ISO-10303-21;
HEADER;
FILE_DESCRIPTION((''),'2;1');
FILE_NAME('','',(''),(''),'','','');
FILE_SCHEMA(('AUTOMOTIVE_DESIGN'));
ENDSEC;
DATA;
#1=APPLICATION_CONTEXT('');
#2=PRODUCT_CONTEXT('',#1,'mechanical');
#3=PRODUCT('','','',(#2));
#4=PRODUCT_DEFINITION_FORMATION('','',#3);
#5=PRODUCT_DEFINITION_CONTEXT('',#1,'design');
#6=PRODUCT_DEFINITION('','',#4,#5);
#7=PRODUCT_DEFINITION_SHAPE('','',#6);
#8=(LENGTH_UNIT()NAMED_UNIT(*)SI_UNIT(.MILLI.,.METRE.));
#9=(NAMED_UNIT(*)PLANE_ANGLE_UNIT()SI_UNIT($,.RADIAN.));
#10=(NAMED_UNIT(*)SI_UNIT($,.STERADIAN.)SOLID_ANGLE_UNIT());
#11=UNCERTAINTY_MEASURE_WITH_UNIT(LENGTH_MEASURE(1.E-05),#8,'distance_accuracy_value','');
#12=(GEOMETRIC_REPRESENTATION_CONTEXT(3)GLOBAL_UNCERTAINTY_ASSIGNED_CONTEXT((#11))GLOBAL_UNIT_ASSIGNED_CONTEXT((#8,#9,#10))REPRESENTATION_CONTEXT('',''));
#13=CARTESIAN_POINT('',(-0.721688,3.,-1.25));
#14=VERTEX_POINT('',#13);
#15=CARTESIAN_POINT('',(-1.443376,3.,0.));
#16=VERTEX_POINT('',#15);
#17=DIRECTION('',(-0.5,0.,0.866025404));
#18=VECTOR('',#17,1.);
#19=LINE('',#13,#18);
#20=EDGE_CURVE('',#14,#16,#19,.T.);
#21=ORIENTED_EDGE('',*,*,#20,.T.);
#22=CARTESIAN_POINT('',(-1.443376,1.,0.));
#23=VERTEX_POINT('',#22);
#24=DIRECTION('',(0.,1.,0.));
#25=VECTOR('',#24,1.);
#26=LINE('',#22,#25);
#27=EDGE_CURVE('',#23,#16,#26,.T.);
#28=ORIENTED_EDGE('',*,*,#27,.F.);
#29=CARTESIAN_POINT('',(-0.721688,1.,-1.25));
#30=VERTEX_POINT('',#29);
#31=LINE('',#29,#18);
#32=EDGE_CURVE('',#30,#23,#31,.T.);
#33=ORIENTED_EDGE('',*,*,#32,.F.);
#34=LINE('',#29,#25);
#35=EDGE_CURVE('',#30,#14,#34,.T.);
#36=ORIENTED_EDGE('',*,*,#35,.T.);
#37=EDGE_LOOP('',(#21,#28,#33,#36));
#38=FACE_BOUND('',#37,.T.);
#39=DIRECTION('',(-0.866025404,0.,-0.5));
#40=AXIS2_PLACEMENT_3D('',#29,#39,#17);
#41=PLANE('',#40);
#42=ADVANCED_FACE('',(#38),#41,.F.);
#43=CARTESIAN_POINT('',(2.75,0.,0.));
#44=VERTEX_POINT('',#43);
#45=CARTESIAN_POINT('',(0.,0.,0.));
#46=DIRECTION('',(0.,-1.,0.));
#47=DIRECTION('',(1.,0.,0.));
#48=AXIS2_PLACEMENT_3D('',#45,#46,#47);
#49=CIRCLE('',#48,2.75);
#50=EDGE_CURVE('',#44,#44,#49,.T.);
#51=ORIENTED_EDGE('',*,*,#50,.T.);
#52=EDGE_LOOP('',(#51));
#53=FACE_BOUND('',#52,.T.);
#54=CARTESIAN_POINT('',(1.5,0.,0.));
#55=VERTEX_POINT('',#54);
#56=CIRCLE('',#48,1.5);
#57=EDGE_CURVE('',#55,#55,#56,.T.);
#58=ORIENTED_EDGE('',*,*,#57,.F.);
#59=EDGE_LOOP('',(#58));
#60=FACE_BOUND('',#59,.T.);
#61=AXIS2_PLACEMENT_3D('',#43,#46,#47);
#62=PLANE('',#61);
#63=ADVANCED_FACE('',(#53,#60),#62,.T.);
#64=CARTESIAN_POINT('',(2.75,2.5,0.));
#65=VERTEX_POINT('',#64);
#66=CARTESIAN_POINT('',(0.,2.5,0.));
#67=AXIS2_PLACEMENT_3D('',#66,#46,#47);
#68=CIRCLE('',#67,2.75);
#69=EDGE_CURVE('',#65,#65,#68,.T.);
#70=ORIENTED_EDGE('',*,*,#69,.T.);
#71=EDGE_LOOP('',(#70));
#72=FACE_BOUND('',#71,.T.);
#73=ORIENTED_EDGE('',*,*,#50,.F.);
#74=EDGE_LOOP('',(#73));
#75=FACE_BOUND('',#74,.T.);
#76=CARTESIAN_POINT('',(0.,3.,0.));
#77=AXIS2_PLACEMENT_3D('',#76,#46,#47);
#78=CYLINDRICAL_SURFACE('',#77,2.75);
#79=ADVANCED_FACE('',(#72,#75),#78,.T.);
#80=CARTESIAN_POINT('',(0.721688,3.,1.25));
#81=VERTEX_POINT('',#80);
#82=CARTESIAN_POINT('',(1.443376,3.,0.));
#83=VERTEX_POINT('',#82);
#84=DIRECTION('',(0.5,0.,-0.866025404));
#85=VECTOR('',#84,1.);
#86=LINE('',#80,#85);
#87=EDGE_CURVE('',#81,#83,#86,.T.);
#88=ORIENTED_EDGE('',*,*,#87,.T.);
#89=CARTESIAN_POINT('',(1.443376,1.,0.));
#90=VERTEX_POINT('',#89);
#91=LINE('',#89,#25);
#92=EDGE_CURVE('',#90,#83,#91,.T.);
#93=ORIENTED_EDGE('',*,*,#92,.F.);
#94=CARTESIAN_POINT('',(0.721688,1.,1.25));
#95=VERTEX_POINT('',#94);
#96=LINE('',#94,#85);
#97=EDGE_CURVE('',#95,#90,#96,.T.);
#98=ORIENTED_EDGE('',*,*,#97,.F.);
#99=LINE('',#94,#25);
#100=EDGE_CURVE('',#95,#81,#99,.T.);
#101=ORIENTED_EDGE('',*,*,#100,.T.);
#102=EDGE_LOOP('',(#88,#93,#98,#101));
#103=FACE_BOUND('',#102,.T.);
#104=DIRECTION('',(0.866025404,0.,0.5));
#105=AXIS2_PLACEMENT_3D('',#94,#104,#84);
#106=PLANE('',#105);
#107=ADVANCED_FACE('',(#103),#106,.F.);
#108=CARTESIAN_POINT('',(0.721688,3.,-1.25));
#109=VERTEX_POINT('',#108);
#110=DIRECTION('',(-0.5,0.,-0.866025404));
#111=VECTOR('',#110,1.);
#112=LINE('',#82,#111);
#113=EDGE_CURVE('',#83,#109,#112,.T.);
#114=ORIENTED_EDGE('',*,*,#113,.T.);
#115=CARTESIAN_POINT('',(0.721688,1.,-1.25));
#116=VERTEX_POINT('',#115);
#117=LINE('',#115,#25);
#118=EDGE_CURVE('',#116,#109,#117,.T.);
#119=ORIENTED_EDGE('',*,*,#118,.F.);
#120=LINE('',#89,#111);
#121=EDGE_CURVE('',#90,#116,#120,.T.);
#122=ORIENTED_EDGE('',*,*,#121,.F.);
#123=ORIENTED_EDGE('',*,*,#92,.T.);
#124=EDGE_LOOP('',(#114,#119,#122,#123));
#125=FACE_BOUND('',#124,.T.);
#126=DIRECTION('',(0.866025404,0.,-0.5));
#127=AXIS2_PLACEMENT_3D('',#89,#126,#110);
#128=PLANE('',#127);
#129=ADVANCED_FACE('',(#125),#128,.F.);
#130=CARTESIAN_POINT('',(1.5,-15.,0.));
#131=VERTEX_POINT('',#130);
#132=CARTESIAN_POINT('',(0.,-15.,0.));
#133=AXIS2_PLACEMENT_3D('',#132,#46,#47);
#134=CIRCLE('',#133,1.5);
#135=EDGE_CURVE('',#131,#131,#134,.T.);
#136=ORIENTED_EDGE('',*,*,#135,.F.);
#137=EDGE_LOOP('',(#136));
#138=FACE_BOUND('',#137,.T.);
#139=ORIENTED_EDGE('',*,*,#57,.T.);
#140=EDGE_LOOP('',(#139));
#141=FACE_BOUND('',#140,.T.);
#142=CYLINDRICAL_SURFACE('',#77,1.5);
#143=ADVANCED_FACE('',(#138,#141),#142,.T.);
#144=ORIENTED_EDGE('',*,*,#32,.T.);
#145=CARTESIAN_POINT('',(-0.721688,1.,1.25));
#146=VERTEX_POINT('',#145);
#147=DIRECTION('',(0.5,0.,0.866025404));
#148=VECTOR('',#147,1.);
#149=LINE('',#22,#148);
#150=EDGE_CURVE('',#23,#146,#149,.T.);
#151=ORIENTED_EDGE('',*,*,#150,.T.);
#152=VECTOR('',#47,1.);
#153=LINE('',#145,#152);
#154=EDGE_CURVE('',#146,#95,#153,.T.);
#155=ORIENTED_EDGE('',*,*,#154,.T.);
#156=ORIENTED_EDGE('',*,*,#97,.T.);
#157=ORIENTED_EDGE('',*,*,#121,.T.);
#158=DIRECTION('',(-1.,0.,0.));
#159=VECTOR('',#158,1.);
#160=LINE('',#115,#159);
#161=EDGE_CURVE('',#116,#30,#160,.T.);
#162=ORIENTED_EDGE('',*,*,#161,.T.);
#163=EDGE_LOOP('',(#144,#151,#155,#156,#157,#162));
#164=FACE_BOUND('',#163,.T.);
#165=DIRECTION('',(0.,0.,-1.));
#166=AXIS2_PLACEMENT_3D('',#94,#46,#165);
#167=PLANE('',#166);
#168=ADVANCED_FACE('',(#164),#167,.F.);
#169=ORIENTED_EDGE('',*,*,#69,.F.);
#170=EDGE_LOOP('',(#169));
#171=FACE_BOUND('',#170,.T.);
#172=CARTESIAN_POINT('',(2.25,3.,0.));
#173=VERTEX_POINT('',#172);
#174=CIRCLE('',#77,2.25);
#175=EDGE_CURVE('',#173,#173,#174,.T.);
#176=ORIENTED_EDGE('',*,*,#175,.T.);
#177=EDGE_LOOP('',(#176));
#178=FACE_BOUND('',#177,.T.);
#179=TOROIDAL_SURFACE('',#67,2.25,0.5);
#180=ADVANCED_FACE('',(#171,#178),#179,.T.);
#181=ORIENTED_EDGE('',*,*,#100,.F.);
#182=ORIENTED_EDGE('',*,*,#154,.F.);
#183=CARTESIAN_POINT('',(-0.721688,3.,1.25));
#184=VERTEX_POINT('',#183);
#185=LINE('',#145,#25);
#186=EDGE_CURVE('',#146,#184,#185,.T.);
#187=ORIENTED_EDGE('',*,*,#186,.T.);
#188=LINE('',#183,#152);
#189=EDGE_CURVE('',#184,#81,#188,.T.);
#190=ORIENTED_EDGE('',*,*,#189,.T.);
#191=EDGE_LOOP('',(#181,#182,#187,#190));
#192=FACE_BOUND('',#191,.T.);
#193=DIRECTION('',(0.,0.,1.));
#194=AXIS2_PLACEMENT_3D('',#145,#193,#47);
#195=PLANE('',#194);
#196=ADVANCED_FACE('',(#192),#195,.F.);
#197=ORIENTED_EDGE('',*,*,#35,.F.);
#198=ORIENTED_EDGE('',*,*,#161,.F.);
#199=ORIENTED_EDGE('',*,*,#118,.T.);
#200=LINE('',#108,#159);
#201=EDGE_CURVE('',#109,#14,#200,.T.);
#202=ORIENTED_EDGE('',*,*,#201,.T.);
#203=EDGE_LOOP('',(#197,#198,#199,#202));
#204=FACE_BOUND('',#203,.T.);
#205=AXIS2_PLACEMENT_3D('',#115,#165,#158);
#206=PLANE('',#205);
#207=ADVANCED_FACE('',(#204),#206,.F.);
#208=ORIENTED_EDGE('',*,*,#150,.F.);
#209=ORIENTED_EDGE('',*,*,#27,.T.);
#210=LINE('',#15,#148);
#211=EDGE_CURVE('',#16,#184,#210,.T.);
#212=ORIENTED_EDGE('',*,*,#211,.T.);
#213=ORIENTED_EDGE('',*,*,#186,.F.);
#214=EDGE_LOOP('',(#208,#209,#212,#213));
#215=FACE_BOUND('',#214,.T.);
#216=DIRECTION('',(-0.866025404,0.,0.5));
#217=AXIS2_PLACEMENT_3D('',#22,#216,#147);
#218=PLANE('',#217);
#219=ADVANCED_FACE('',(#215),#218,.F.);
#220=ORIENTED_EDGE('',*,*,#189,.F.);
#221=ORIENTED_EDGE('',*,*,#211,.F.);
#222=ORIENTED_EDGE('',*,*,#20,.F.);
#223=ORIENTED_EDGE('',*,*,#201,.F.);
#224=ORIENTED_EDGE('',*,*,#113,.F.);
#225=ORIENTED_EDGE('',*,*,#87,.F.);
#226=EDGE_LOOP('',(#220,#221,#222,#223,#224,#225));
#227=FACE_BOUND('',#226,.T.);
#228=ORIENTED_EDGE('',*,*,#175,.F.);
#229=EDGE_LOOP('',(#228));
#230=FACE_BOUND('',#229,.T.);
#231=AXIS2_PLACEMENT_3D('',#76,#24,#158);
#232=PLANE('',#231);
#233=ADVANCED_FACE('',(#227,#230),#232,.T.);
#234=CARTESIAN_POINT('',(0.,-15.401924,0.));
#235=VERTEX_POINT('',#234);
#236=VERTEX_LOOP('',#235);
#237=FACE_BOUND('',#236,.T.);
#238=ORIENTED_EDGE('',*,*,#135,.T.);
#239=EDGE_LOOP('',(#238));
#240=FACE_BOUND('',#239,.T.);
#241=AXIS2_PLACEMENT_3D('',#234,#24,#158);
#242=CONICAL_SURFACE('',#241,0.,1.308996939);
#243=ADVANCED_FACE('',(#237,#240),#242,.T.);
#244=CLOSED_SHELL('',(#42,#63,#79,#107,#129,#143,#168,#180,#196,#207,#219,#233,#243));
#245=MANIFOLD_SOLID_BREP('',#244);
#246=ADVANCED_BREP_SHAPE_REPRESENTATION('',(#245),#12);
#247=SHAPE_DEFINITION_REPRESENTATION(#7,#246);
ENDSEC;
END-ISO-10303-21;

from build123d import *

# Parameters (mm, degrees)
CUT_EXTRUDE1_DEPTH = 2


with BuildPart() as part:
    # Sketch1 → Base-Revolve (revolve)
    with BuildSketch(Plane.XY):
        with BuildLine():
            Line((0, -15.401923789), (0, 3))
            Line((0, 3), (2.25, 3))
            ThreePointArc((2.25, 3), (2.603553391, 2.853553391), (2.75, 2.5))
            Line((2.75, 2.5), (2.75, 0))
            Line((2.75, 0), (1.5, 0))
            Line((1.5, 0), (1.5, -15))
            Line((1.5, -15), (0, -15.401923789))
        make_face()
    revolve(axis=Axis((0, 3, 0), (0, 1, 0)))

    # Sketch2 → Cut-Extrude1 (cut)
    with BuildSketch(Plane(origin=(0, 3, 0), x_dir=(-1, 0, 0), z_dir=(0, 1, 0))):
        Polygon((-1.443375673, 0), (-0.721687836, -1.25), (0.721687836, -1.25), (1.443375673, 0), (0.721687836, 1.25), (-0.721687836, 1.25), align=None)
    extrude(amount=-CUT_EXTRUDE1_DEPTH, mode=Mode.SUBTRACT)


solid = part.part
